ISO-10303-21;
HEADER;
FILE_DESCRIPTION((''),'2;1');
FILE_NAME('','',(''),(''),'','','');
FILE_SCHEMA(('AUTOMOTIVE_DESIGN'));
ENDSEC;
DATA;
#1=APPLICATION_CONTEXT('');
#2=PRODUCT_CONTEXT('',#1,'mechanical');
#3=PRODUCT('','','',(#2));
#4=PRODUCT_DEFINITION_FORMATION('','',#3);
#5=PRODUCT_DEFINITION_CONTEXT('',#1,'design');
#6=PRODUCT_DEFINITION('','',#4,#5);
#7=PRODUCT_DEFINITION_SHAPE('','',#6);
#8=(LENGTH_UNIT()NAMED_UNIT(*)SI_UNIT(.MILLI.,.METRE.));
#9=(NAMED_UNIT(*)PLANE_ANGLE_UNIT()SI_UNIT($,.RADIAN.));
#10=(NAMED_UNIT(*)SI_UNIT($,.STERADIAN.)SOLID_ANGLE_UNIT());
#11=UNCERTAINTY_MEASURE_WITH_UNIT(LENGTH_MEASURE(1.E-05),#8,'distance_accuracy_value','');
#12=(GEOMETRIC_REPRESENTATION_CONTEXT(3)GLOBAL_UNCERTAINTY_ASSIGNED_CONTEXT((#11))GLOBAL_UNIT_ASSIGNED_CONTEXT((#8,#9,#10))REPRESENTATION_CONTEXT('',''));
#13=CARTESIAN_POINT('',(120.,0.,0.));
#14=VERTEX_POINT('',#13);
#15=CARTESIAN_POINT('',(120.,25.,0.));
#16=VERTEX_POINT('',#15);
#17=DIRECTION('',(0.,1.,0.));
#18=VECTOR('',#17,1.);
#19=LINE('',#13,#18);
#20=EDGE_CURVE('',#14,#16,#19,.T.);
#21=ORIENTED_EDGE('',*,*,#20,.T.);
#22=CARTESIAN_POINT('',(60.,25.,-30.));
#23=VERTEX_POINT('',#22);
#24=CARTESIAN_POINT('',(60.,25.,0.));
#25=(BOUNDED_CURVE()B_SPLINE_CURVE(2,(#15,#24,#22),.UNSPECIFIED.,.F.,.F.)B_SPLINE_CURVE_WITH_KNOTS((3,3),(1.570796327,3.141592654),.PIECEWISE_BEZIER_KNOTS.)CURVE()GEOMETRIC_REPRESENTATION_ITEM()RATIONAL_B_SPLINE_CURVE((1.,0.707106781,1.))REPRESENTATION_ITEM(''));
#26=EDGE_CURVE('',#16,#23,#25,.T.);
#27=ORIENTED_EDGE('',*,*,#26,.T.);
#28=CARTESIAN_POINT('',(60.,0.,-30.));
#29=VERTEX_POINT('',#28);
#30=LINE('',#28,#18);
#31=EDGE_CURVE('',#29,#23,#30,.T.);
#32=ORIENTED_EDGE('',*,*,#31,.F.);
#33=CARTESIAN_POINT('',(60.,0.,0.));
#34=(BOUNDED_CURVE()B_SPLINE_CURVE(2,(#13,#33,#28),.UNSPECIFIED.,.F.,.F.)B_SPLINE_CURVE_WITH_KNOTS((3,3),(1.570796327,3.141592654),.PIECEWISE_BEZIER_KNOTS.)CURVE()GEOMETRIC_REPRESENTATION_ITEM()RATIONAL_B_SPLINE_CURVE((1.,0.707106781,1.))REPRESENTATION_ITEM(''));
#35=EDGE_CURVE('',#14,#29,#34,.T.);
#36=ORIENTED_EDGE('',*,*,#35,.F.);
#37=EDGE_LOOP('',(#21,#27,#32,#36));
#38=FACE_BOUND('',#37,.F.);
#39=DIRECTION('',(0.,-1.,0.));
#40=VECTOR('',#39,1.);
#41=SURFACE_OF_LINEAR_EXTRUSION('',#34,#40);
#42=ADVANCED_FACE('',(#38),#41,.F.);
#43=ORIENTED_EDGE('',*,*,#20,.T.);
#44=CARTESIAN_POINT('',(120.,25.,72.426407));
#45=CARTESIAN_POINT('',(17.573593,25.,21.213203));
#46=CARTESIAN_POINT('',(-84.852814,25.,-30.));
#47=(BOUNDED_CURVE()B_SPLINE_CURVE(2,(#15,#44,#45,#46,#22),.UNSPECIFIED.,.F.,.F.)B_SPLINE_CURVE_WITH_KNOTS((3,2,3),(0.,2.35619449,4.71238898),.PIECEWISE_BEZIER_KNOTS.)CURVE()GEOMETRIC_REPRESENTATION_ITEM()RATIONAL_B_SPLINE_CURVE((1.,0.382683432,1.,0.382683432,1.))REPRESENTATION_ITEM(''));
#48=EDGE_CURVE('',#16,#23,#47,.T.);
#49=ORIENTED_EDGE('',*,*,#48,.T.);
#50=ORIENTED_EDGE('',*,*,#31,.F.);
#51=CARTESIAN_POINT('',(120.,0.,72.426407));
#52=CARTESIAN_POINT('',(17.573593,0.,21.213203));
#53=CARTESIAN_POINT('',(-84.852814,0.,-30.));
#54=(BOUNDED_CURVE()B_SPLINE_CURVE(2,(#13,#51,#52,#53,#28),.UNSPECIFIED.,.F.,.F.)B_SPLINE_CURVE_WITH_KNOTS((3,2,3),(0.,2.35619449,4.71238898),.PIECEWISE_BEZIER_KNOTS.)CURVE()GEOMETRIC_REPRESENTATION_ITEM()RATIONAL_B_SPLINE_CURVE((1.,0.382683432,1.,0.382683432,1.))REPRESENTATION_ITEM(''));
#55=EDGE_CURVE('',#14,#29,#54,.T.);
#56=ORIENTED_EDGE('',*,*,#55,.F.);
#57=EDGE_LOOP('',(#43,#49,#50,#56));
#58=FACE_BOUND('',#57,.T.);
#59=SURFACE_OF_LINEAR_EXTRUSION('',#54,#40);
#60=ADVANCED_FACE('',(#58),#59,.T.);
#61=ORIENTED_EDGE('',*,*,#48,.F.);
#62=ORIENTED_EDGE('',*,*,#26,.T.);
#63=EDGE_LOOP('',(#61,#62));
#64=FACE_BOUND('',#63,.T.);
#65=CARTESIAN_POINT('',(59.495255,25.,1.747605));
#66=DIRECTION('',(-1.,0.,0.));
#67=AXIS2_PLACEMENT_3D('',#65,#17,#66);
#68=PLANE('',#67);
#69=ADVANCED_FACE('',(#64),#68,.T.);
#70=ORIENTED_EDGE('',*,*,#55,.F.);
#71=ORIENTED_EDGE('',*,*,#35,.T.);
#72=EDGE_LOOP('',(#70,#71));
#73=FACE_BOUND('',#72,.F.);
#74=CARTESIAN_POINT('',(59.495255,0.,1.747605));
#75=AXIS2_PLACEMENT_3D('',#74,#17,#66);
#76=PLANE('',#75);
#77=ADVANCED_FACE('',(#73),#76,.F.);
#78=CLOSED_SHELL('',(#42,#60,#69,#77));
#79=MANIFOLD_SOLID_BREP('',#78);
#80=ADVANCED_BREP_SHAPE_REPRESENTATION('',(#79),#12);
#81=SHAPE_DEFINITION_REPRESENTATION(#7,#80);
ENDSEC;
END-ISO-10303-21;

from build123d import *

# Parameters (mm, degrees)
F1_DEPTH = 25


with BuildPart() as f1:
    # F0 (on Front) → F1 (new body)
    with BuildSketch(Plane.XZ):
        with BuildLine():
            add(Edge.make_bspline(
                [(120, 0), (60, 0), (60, -30)],
                knots=[1.5707963268, 1.5707963268, 1.5707963268, 3.1415926536, 3.1415926536, 3.1415926536], degree=2, weights=[1, 0.7071067812, 1]))
            add(Edge.make_bspline(
                [(120, 0), (120, 72.4264068712), (17.5735931288, 21.2132034356), (-84.8528137424, -30), (60, -30)],
                knots=[0, 0, 0, 2.3561944902, 2.3561944902, 4.7123889804, 4.7123889804, 4.7123889804], degree=2, weights=[1, 0.3826834324, 1, 0.3826834324, 1]))
        make_face()
    extrude(amount=-F1_DEPTH)


solid = f1.part
